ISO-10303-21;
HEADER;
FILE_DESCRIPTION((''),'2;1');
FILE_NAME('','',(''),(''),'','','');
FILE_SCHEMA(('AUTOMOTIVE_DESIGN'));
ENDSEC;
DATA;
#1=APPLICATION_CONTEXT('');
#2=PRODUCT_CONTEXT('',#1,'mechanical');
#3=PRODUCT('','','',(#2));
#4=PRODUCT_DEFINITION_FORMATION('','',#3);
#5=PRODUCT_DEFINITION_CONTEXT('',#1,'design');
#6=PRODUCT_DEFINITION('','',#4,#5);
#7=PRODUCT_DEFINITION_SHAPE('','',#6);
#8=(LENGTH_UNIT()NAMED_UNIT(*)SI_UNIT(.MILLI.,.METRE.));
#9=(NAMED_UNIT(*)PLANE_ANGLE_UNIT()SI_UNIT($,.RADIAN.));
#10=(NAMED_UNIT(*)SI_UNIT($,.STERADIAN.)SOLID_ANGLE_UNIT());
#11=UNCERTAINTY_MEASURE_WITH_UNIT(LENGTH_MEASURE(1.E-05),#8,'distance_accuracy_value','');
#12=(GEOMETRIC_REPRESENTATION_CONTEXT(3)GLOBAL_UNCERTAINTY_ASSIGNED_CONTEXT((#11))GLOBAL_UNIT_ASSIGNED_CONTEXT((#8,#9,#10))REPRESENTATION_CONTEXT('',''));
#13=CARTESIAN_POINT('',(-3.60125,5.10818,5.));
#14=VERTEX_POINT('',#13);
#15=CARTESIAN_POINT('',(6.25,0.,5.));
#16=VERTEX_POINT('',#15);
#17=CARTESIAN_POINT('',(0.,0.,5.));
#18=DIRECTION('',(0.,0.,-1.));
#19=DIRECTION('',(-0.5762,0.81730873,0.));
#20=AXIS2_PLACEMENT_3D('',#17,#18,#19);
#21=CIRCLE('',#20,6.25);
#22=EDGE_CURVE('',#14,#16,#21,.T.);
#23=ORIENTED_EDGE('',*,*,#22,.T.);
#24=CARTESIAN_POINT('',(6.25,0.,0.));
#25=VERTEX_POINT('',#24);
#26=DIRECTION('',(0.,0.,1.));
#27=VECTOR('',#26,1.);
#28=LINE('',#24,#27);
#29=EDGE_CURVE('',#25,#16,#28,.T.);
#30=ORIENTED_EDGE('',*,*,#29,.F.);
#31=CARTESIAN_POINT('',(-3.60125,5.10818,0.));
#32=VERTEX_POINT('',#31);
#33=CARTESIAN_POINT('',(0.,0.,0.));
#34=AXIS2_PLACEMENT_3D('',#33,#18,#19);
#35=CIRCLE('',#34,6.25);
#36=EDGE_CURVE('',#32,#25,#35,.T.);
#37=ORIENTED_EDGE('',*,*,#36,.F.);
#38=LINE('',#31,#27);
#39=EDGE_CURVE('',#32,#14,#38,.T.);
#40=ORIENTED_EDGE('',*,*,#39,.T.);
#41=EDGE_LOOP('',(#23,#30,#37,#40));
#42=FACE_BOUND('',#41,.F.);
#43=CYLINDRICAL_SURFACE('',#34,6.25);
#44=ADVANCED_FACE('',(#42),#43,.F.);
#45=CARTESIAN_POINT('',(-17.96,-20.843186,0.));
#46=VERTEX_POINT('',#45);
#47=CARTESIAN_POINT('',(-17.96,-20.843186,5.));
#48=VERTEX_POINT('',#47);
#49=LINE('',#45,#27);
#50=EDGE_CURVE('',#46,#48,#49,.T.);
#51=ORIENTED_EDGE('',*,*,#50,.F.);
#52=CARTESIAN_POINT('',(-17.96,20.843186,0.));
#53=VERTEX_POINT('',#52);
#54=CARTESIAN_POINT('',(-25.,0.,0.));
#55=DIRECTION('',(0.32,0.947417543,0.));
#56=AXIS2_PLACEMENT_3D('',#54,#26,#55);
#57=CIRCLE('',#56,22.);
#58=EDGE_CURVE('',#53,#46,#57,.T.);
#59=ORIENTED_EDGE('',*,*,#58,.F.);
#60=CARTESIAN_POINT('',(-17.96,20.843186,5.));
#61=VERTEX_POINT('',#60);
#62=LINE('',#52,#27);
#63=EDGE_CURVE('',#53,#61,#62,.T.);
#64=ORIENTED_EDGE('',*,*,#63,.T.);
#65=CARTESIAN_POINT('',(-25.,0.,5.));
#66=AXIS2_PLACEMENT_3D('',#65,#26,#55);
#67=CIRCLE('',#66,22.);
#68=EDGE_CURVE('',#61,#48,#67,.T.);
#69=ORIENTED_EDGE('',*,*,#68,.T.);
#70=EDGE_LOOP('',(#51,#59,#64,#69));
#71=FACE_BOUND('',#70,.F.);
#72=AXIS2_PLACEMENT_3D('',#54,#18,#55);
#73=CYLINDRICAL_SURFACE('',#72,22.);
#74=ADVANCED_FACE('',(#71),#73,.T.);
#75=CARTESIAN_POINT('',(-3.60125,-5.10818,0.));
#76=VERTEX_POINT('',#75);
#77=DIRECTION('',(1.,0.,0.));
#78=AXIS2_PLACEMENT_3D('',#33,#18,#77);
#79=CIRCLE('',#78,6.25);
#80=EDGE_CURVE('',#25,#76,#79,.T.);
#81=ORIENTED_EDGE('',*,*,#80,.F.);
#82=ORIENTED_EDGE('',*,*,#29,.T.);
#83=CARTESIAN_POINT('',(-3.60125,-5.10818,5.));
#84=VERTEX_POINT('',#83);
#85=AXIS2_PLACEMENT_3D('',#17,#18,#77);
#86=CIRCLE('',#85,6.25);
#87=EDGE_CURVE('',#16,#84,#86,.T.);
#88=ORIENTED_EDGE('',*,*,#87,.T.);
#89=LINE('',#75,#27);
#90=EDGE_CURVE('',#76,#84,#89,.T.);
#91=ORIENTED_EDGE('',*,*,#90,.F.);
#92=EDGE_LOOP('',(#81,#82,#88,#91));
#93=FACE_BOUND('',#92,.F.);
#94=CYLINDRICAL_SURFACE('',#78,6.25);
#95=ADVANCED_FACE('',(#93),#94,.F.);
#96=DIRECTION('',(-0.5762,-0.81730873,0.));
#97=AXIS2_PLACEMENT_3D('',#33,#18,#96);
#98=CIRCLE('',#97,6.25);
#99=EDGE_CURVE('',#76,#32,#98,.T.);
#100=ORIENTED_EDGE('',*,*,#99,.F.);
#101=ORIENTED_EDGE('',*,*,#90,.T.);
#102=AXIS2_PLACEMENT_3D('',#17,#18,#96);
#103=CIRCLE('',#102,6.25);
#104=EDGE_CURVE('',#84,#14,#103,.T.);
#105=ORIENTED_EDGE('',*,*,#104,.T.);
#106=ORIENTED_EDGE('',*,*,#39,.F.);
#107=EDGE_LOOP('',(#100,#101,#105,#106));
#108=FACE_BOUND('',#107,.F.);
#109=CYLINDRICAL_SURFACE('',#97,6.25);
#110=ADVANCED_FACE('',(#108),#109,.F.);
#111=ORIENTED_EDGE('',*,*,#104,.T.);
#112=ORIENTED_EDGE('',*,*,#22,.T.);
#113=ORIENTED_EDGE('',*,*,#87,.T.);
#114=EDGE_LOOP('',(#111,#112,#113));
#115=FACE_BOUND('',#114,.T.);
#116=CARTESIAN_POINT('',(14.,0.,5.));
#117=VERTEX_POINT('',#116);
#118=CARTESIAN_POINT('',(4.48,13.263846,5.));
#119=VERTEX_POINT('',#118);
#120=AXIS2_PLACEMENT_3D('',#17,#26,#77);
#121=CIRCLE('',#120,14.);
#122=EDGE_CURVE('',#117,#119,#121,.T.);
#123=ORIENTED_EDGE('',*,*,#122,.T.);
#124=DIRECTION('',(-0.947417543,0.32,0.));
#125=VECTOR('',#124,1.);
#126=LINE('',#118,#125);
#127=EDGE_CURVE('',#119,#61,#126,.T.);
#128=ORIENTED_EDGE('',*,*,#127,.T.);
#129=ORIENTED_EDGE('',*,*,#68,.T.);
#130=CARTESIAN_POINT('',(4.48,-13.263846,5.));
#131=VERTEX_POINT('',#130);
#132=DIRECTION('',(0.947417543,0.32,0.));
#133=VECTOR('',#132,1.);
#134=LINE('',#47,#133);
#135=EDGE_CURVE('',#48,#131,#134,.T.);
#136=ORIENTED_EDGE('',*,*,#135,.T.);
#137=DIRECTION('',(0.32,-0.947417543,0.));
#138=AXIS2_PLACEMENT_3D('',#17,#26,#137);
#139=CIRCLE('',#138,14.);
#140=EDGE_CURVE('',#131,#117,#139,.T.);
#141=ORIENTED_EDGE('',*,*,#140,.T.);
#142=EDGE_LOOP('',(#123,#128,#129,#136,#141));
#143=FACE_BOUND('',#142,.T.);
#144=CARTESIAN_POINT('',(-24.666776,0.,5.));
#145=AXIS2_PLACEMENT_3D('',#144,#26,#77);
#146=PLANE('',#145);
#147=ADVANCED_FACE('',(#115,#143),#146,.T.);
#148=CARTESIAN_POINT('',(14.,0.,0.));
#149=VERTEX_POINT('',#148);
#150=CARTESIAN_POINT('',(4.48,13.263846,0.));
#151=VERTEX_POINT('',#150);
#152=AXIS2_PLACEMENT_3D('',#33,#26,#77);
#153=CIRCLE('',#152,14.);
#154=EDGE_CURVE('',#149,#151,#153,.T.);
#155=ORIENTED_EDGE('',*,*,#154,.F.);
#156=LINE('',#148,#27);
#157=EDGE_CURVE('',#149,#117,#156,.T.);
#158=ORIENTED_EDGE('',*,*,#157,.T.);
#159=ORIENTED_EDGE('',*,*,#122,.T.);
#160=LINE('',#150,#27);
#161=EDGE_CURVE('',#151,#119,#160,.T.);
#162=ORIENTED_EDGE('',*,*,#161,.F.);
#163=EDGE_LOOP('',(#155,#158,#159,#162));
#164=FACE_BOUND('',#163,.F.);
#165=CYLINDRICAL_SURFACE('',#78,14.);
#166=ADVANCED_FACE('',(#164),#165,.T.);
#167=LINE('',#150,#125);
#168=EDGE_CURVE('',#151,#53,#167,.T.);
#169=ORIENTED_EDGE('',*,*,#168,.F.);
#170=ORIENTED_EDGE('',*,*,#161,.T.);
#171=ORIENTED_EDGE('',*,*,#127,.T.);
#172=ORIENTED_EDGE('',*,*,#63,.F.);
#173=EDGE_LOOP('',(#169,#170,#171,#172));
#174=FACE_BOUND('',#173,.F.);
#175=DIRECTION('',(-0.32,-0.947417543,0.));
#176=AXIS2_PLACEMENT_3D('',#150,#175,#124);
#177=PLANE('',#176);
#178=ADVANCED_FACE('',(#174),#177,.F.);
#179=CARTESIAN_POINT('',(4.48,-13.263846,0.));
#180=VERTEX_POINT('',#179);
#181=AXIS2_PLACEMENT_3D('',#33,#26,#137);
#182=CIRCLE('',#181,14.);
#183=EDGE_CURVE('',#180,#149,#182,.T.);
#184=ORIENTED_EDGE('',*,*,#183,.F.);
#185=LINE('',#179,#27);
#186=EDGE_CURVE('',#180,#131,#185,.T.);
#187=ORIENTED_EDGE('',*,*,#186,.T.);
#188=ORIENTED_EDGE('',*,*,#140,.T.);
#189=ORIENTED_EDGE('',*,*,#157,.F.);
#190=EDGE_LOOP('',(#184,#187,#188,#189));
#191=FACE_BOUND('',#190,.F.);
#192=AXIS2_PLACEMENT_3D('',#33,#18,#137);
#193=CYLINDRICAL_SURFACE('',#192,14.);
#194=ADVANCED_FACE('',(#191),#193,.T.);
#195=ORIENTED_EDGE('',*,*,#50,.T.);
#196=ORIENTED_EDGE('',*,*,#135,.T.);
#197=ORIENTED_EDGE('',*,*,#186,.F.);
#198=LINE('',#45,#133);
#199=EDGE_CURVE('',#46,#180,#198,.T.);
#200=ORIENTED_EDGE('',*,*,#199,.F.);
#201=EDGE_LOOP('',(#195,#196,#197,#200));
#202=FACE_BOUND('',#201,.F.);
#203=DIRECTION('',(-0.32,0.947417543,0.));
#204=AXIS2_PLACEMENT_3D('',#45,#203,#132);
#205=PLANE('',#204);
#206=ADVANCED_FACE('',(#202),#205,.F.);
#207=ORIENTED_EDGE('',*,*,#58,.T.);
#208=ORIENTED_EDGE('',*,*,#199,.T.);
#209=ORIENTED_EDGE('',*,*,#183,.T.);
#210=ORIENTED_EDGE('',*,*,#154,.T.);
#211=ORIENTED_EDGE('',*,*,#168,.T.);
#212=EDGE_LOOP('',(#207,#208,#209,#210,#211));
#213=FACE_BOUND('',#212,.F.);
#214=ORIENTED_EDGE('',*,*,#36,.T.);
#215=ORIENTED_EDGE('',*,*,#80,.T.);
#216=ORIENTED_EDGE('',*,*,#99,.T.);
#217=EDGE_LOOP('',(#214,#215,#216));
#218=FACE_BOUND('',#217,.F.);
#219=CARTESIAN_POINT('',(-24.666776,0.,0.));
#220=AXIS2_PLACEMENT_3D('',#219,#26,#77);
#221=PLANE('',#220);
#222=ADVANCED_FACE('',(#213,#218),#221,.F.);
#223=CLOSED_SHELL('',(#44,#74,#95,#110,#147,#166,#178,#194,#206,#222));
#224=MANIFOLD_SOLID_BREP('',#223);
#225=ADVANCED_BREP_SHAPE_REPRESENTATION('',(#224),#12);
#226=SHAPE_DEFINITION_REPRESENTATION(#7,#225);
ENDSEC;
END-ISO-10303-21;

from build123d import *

# Parameters (mm, degrees)
F1_DEPTH = 5


with BuildPart() as f1:
    # F0 (on Top) → F1 (new body)
    with BuildSketch(Plane.XY):
        with BuildLine():
            ThreePointArc((-6.74, -12.2707945953), (-14, 0), (-6.74, 12.2707945953))
            ThreePointArc((-6.74, 12.2707945953), (-11.643579322, 17.4815910795), (-17.96, 20.8431859369))
            ThreePointArc((-17.96, 20.8431859369), (-47, 0), (-17.96, -20.8431859369))
            ThreePointArc((-17.96, -20.8431859369), (-11.643579322, -17.4815910795), (-6.74, -12.2707945953))
        make_face()
        with BuildLine():
            ThreePointArc((-6.74, 12.2707945953), (-1.234276133, 13.945485378), (4.48, 13.2638455962))
            Line((4.48, 13.2638455962), (-17.96, 20.8431859369))
            ThreePointArc((-17.96, 20.8431859369), (-11.643579322, 17.4815910795), (-6.74, 12.2707945953))
        make_face()
        with BuildLine():
            ThreePointArc((-3.60125, 5.108179562), (-4.8498169631, 8.8300692851), (-6.74, 12.2707945953))
            ThreePointArc((-6.74, 12.2707945953), (-14, 0), (-6.74, -12.2707945953))
            ThreePointArc((-6.74, -12.2707945953), (-4.8498169631, -8.8300692851), (-3.60125, -5.108179562))
            ThreePointArc((-3.60125, -5.108179562), (-6.25, 0), (-3.60125, 5.108179562))
        make_face()
        with BuildLine():
            ThreePointArc((4.48, -13.2638455962), (11.3736537665, -8.1633326528), (14, 0))
            ThreePointArc((14, 0), (11.3736537665, 8.1633326528), (4.48, 13.2638455962))
            ThreePointArc((4.48, 13.2638455962), (-1.234276133, 13.945485378), (-6.74, 12.2707945953))
            ThreePointArc((-6.74, 12.2707945953), (-4.8498169631, 8.8300692851), (-3.60125, 5.108179562))
            ThreePointArc((-3.60125, 5.108179562), (2.8770373216, 5.54843728), (6.25, 0))
            ThreePointArc((6.25, 0), (2.8770373216, -5.54843728), (-3.60125, -5.108179562))
            ThreePointArc((-3.60125, -5.108179562), (-4.8498169631, -8.8300692851), (-6.74, -12.2707945953))
            ThreePointArc((-6.74, -12.2707945953), (-1.234276133, -13.945485378), (4.48, -13.2638455962))
        make_face()
        with BuildLine():
            Line((-17.96, -20.8431859369), (4.48, -13.2638455962))
            ThreePointArc((4.48, -13.2638455962), (-1.234276133, -13.945485378), (-6.74, -12.2707945953))
            ThreePointArc((-6.74, -12.2707945953), (-11.643579322, -17.4815910795), (-17.96, -20.8431859369))
        make_face()
    extrude(amount=F1_DEPTH)


solid = f1.part
